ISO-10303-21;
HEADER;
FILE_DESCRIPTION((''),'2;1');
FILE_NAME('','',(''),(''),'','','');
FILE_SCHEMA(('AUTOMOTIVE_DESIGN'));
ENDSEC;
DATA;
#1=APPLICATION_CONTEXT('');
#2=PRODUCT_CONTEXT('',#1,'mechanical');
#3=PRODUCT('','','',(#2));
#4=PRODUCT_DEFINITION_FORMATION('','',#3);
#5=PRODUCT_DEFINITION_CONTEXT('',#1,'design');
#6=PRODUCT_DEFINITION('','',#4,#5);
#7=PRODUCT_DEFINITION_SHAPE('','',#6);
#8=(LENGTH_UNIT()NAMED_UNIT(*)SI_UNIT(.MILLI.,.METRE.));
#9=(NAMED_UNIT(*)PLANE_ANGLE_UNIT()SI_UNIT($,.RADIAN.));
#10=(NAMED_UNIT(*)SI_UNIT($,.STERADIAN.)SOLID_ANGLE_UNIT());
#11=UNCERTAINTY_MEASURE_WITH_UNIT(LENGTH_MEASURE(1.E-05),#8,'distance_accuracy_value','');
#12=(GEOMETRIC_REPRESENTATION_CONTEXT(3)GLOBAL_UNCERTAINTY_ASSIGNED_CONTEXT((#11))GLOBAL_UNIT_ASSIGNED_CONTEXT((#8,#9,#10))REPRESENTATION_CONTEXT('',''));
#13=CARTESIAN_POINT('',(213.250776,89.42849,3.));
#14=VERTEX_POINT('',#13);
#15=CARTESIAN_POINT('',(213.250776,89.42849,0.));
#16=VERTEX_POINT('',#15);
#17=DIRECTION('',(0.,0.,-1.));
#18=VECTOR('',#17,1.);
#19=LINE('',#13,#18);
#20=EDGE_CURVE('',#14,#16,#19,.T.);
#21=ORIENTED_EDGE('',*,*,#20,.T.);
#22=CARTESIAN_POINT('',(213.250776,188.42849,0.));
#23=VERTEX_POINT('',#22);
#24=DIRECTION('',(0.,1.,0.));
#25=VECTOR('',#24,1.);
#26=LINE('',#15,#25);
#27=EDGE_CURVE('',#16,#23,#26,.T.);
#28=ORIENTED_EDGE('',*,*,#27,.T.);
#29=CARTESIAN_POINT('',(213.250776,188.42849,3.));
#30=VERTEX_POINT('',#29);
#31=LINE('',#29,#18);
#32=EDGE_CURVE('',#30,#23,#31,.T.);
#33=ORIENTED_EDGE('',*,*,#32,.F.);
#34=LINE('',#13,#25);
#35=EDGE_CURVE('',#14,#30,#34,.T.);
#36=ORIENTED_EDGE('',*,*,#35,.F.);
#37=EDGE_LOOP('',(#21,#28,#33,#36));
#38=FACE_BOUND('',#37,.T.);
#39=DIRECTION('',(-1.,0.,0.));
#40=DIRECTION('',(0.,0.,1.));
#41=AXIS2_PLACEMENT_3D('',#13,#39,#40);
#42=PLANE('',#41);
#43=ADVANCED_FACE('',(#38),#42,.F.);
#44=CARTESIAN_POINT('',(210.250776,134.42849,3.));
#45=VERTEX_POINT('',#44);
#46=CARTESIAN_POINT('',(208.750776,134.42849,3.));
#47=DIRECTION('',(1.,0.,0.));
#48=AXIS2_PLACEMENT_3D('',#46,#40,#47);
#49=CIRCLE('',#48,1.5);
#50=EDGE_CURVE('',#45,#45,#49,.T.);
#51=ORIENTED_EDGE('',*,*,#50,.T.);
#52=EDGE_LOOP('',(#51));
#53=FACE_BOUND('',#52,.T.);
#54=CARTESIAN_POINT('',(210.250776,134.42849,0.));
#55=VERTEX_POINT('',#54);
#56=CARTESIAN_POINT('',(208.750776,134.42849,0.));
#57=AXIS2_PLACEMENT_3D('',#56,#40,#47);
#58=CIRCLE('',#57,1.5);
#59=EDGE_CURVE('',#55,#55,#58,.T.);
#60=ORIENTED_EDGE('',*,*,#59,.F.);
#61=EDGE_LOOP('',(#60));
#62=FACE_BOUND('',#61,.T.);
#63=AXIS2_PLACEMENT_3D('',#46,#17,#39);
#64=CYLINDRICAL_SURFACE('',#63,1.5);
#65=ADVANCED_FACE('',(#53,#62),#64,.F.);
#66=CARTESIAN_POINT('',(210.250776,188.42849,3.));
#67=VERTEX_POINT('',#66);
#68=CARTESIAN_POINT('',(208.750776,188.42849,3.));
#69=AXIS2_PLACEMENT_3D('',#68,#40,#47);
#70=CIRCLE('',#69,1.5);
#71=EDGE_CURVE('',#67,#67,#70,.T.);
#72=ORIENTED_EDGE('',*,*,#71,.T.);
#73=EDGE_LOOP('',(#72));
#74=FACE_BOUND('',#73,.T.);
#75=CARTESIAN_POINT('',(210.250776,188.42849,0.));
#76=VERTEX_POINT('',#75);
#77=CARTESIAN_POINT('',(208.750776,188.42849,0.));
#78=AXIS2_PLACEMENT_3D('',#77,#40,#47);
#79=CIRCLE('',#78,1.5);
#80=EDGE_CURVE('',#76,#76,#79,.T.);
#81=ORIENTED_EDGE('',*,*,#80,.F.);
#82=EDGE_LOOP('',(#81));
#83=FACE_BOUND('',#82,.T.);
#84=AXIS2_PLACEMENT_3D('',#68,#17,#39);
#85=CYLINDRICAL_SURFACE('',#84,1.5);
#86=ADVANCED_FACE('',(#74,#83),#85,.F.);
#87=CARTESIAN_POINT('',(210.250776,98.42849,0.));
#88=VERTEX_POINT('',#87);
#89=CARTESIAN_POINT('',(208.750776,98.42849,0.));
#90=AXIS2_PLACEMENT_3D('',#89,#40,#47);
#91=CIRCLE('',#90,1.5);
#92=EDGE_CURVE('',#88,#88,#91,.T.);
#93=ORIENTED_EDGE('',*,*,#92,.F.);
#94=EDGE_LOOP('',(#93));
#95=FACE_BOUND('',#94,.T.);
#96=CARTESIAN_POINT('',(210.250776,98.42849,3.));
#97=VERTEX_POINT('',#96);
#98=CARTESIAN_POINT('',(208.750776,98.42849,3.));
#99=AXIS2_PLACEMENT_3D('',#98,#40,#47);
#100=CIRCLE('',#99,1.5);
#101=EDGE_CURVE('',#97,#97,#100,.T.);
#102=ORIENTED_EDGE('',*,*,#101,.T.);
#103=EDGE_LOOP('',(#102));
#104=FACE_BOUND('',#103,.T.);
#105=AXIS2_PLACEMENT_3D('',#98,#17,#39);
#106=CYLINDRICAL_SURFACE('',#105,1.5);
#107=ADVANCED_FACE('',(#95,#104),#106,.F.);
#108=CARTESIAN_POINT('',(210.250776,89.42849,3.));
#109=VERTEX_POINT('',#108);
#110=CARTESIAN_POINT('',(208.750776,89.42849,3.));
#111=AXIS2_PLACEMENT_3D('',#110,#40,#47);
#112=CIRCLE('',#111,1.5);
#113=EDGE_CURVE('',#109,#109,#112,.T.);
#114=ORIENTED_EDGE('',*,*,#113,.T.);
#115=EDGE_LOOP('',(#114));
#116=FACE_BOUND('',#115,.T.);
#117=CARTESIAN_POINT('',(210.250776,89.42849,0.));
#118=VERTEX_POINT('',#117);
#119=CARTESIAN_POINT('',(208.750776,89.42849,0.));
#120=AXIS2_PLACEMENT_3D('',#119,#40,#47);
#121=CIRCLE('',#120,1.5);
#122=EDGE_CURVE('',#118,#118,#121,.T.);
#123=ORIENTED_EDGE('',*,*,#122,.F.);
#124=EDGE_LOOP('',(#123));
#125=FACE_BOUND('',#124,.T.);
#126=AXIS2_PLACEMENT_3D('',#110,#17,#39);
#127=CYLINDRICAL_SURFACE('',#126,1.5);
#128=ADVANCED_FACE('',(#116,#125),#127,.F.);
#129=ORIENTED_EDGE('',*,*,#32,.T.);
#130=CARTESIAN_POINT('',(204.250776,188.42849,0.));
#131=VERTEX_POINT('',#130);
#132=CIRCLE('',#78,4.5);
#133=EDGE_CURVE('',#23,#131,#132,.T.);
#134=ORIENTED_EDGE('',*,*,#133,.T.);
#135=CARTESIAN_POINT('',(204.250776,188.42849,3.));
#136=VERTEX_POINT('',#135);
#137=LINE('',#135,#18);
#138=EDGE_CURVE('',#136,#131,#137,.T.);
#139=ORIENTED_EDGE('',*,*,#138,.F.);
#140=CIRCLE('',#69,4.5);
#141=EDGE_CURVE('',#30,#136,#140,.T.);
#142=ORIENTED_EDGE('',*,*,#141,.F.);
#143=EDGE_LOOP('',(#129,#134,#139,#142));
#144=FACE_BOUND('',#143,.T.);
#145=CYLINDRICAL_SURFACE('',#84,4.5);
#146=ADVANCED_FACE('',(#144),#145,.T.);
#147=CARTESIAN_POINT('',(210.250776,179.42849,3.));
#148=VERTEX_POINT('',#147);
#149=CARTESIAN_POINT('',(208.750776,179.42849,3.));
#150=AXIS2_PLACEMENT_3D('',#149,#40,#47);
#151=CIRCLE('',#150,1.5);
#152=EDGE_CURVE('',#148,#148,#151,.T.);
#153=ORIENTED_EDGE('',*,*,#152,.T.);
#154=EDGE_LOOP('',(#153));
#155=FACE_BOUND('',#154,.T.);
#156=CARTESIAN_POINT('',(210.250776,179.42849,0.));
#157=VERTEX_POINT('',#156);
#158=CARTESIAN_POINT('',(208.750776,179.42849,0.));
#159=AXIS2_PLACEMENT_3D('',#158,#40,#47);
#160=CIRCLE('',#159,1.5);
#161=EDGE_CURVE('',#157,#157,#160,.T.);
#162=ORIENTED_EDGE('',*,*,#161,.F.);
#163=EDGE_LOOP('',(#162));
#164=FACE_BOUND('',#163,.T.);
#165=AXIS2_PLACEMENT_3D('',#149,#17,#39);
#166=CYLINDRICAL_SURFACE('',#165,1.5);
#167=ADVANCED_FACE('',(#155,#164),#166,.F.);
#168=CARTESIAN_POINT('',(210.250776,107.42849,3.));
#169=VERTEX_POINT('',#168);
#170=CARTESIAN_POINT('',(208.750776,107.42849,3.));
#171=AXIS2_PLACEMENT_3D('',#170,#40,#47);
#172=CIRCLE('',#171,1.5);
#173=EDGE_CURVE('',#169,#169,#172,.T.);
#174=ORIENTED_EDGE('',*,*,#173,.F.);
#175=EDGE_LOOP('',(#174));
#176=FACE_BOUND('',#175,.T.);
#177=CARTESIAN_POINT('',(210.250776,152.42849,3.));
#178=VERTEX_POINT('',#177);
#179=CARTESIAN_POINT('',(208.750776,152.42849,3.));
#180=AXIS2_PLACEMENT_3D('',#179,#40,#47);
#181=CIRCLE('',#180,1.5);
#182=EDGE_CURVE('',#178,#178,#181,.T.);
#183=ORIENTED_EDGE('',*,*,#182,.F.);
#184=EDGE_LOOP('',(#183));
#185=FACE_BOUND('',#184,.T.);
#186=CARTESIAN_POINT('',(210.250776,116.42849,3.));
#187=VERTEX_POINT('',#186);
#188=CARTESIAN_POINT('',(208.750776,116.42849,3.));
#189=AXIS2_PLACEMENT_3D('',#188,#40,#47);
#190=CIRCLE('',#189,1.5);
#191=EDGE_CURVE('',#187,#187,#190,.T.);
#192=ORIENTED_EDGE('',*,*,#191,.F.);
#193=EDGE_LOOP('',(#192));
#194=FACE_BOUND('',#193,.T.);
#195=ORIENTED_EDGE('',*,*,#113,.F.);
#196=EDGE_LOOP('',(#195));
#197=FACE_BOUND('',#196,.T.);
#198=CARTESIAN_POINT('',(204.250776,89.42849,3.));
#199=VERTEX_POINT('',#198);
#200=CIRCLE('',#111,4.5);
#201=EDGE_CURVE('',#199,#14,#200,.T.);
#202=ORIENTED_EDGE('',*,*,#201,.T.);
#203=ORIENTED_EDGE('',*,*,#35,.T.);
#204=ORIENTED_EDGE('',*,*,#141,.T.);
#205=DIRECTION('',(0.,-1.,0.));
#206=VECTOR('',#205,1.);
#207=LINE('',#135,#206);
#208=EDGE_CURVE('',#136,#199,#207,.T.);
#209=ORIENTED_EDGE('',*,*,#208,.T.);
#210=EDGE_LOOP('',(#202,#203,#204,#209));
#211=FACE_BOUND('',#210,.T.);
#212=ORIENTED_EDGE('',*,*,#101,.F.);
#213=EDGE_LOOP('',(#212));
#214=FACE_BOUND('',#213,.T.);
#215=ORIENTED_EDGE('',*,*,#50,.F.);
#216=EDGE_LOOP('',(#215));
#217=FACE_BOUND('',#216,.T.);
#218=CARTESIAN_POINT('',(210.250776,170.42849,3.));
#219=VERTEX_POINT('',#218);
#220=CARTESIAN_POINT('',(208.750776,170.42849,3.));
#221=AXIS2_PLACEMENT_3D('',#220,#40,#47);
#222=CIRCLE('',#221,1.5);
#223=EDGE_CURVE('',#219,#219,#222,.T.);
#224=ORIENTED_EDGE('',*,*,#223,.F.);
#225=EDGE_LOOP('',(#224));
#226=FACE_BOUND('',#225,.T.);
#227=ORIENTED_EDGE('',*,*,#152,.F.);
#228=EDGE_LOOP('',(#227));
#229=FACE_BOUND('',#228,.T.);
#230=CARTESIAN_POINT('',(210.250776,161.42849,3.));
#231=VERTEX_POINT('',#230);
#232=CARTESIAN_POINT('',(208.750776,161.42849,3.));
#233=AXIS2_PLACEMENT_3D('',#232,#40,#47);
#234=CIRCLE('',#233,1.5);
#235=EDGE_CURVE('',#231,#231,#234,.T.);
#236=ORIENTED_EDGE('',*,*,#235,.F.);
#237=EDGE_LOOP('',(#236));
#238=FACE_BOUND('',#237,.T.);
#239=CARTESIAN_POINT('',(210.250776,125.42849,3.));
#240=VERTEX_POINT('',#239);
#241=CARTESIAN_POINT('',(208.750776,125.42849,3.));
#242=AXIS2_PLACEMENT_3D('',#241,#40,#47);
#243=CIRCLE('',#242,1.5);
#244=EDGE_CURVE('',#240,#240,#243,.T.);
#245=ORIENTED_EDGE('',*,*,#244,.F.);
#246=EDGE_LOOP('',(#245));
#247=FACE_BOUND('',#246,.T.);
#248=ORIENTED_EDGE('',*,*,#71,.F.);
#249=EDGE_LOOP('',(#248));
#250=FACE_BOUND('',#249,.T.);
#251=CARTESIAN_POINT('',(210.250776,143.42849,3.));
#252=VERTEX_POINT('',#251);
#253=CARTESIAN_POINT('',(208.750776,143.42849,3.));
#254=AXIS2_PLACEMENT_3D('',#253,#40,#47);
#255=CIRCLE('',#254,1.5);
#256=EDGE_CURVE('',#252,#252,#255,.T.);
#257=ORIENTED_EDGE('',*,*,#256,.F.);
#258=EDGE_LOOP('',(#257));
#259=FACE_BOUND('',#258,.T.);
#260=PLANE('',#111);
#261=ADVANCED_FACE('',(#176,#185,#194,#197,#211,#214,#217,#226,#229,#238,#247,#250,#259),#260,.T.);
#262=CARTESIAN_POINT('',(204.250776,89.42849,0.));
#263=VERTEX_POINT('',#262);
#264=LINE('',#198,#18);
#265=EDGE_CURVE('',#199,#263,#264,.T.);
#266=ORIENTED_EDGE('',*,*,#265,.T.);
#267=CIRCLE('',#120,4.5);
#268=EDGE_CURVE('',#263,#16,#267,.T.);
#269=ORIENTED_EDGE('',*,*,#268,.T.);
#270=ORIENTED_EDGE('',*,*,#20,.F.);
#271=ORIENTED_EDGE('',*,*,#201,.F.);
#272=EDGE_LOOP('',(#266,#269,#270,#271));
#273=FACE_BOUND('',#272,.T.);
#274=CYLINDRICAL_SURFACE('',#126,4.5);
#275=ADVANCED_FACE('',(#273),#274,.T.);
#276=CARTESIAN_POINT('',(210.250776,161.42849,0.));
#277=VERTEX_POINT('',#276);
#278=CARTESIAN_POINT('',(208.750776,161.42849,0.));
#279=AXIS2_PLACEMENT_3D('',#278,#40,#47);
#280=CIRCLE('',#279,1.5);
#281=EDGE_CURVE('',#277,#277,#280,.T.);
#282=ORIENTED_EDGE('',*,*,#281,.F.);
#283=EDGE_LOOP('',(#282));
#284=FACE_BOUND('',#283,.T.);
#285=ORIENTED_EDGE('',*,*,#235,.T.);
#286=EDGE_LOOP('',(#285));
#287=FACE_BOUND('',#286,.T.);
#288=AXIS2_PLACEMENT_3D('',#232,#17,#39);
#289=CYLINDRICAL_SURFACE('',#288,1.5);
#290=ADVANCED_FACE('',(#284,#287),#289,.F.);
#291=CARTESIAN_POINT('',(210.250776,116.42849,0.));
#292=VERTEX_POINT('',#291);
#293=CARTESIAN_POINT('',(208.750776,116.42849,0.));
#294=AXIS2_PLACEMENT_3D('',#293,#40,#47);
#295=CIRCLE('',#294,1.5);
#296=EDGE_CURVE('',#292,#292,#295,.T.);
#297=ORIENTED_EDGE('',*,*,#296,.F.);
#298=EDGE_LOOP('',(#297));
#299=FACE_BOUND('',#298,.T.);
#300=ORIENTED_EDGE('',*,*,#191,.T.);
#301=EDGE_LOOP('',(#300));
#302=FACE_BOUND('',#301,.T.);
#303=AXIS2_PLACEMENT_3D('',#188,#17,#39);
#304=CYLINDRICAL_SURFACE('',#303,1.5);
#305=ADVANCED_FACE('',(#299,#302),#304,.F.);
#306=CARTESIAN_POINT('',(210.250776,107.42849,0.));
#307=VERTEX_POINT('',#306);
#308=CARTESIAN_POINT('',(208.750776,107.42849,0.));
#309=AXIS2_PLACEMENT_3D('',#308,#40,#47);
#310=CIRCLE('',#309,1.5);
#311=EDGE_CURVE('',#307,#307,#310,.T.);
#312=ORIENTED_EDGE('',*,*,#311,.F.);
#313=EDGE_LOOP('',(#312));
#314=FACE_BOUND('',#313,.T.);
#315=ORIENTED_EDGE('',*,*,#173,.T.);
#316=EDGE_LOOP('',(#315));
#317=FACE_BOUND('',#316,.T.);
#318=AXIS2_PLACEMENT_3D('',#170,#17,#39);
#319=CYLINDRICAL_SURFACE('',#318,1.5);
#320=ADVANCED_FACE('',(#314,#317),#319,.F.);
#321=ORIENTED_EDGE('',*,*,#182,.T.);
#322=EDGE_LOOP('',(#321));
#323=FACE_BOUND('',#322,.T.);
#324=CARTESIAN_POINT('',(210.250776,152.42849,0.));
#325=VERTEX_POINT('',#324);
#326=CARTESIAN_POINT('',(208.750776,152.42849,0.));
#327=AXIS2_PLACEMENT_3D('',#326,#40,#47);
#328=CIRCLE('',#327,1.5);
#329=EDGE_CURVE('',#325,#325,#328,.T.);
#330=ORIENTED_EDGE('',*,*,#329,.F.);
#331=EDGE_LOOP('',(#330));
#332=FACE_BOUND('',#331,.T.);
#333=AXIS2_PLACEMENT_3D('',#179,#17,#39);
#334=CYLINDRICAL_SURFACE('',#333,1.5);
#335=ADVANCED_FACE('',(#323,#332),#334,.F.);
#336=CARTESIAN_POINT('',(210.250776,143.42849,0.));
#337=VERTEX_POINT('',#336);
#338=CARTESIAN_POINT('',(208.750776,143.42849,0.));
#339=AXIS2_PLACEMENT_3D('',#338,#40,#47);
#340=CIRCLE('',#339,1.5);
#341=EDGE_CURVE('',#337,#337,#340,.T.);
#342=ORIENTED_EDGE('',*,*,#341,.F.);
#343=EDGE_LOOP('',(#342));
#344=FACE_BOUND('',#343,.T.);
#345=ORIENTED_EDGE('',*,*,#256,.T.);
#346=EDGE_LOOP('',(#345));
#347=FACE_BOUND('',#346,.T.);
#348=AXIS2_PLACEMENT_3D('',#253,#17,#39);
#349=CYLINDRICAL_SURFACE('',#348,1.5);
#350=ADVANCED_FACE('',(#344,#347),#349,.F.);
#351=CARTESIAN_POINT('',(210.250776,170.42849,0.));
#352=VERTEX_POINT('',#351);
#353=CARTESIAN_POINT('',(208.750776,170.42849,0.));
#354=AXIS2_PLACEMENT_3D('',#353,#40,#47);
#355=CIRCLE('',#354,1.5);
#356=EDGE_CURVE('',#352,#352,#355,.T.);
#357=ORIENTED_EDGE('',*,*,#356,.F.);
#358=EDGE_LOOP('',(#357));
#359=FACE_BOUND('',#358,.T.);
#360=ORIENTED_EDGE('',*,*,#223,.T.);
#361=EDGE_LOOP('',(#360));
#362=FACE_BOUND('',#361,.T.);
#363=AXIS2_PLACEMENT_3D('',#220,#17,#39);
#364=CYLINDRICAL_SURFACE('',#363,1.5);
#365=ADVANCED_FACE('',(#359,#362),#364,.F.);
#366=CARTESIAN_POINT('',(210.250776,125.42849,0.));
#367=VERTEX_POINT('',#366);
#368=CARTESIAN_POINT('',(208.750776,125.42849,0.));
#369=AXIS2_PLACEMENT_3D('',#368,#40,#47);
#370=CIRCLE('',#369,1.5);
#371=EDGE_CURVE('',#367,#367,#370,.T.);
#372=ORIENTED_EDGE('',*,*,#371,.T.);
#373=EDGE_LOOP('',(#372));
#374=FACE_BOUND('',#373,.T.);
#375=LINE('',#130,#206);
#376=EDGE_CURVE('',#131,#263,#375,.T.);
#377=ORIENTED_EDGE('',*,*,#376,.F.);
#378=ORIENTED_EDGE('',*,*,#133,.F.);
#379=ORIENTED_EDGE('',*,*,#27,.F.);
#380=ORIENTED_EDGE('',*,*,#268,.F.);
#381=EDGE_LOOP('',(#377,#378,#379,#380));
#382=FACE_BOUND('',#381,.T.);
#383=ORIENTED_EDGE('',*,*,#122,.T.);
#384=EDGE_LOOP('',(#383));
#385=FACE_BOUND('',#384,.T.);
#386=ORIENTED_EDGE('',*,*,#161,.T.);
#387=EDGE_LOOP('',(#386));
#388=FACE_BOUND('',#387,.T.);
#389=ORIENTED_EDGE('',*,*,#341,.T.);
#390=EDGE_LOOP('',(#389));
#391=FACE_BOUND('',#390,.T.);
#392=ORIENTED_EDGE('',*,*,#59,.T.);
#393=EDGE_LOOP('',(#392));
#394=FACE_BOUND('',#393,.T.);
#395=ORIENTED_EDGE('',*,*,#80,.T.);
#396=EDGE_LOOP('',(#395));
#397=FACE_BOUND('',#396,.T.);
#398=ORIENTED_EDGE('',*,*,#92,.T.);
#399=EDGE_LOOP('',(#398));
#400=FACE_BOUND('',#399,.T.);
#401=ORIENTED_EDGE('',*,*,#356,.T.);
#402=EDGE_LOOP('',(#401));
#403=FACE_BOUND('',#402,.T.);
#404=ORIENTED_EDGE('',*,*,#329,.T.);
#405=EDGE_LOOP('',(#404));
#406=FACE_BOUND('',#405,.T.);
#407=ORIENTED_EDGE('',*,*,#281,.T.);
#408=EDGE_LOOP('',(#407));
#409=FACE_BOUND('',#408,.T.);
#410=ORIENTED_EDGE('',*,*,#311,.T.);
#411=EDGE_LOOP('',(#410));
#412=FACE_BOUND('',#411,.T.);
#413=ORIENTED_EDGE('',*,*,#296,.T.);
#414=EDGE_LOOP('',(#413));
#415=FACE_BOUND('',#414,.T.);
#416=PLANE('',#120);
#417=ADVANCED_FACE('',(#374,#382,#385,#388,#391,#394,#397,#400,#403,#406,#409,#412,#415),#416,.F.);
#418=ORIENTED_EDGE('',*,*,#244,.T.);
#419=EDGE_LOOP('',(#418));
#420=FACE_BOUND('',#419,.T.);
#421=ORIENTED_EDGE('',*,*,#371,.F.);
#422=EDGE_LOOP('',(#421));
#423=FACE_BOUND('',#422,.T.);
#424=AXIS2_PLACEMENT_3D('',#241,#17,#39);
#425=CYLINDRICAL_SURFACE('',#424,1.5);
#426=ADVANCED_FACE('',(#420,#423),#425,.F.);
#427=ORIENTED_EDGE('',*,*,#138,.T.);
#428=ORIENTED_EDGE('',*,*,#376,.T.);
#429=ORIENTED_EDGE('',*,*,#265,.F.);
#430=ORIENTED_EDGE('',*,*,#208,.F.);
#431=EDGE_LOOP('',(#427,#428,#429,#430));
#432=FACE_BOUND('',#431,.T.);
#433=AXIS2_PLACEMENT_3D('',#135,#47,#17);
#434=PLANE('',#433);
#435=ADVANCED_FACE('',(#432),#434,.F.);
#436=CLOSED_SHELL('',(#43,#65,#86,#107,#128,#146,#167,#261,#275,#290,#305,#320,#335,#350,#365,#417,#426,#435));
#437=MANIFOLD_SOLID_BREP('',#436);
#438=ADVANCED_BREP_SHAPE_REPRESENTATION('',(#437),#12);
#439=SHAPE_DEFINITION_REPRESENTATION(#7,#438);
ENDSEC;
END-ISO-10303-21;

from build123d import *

# Parameters (mm, degrees)
MODEL_R                 = 1.5
SALIENTE_EXTRUIR1_DEPTH = 3


with BuildPart() as part:
    # Model → Saliente-Extruir1 (new body)
    with BuildSketch(Plane.XY):
        with BuildLine():
            Line((213.25077615, 89.428489513), (213.25077615, 188.428489513))
            ThreePointArc((213.25077615, 188.428489513), (208.75077615, 192.928489513), (204.25077615, 188.428489513))
            Line((204.25077615, 188.428489513), (204.25077615, 89.428489513))
            ThreePointArc((204.25077615, 89.428489513), (208.75077615, 84.928489513), (213.25077615, 89.428489513))
        make_face()
        with Locations((208.75077615, 179.428489513)):
            Circle(MODEL_R, mode=Mode.SUBTRACT)
        with Locations((208.75077615, 188.428489513)):
            Circle(MODEL_R, mode=Mode.SUBTRACT)
        with Locations((208.75077615, 152.428489513)):
            Circle(MODEL_R, mode=Mode.SUBTRACT)
        with Locations((208.75077615, 161.428489513)):
            Circle(MODEL_R, mode=Mode.SUBTRACT)
        with Locations((208.75077615, 170.428489513)):
            Circle(MODEL_R, mode=Mode.SUBTRACT)
        with Locations((208.75077615, 143.428489513)):
            Circle(MODEL_R, mode=Mode.SUBTRACT)
        with Locations((208.75077615, 116.428489513)):
            Circle(MODEL_R, mode=Mode.SUBTRACT)
        with Locations((208.75077615, 125.428489513)):
            Circle(MODEL_R, mode=Mode.SUBTRACT)
        with Locations((208.75077615, 134.428489513)):
            Circle(MODEL_R, mode=Mode.SUBTRACT)
        with Locations((208.75077615, 89.428489513)):
            Circle(MODEL_R, mode=Mode.SUBTRACT)
        with Locations((208.75077615, 98.428489513)):
            Circle(MODEL_R, mode=Mode.SUBTRACT)
        with Locations((208.75077615, 107.428489513)):
            Circle(MODEL_R, mode=Mode.SUBTRACT)
    extrude(amount=SALIENTE_EXTRUIR1_DEPTH)


solid = part.part
